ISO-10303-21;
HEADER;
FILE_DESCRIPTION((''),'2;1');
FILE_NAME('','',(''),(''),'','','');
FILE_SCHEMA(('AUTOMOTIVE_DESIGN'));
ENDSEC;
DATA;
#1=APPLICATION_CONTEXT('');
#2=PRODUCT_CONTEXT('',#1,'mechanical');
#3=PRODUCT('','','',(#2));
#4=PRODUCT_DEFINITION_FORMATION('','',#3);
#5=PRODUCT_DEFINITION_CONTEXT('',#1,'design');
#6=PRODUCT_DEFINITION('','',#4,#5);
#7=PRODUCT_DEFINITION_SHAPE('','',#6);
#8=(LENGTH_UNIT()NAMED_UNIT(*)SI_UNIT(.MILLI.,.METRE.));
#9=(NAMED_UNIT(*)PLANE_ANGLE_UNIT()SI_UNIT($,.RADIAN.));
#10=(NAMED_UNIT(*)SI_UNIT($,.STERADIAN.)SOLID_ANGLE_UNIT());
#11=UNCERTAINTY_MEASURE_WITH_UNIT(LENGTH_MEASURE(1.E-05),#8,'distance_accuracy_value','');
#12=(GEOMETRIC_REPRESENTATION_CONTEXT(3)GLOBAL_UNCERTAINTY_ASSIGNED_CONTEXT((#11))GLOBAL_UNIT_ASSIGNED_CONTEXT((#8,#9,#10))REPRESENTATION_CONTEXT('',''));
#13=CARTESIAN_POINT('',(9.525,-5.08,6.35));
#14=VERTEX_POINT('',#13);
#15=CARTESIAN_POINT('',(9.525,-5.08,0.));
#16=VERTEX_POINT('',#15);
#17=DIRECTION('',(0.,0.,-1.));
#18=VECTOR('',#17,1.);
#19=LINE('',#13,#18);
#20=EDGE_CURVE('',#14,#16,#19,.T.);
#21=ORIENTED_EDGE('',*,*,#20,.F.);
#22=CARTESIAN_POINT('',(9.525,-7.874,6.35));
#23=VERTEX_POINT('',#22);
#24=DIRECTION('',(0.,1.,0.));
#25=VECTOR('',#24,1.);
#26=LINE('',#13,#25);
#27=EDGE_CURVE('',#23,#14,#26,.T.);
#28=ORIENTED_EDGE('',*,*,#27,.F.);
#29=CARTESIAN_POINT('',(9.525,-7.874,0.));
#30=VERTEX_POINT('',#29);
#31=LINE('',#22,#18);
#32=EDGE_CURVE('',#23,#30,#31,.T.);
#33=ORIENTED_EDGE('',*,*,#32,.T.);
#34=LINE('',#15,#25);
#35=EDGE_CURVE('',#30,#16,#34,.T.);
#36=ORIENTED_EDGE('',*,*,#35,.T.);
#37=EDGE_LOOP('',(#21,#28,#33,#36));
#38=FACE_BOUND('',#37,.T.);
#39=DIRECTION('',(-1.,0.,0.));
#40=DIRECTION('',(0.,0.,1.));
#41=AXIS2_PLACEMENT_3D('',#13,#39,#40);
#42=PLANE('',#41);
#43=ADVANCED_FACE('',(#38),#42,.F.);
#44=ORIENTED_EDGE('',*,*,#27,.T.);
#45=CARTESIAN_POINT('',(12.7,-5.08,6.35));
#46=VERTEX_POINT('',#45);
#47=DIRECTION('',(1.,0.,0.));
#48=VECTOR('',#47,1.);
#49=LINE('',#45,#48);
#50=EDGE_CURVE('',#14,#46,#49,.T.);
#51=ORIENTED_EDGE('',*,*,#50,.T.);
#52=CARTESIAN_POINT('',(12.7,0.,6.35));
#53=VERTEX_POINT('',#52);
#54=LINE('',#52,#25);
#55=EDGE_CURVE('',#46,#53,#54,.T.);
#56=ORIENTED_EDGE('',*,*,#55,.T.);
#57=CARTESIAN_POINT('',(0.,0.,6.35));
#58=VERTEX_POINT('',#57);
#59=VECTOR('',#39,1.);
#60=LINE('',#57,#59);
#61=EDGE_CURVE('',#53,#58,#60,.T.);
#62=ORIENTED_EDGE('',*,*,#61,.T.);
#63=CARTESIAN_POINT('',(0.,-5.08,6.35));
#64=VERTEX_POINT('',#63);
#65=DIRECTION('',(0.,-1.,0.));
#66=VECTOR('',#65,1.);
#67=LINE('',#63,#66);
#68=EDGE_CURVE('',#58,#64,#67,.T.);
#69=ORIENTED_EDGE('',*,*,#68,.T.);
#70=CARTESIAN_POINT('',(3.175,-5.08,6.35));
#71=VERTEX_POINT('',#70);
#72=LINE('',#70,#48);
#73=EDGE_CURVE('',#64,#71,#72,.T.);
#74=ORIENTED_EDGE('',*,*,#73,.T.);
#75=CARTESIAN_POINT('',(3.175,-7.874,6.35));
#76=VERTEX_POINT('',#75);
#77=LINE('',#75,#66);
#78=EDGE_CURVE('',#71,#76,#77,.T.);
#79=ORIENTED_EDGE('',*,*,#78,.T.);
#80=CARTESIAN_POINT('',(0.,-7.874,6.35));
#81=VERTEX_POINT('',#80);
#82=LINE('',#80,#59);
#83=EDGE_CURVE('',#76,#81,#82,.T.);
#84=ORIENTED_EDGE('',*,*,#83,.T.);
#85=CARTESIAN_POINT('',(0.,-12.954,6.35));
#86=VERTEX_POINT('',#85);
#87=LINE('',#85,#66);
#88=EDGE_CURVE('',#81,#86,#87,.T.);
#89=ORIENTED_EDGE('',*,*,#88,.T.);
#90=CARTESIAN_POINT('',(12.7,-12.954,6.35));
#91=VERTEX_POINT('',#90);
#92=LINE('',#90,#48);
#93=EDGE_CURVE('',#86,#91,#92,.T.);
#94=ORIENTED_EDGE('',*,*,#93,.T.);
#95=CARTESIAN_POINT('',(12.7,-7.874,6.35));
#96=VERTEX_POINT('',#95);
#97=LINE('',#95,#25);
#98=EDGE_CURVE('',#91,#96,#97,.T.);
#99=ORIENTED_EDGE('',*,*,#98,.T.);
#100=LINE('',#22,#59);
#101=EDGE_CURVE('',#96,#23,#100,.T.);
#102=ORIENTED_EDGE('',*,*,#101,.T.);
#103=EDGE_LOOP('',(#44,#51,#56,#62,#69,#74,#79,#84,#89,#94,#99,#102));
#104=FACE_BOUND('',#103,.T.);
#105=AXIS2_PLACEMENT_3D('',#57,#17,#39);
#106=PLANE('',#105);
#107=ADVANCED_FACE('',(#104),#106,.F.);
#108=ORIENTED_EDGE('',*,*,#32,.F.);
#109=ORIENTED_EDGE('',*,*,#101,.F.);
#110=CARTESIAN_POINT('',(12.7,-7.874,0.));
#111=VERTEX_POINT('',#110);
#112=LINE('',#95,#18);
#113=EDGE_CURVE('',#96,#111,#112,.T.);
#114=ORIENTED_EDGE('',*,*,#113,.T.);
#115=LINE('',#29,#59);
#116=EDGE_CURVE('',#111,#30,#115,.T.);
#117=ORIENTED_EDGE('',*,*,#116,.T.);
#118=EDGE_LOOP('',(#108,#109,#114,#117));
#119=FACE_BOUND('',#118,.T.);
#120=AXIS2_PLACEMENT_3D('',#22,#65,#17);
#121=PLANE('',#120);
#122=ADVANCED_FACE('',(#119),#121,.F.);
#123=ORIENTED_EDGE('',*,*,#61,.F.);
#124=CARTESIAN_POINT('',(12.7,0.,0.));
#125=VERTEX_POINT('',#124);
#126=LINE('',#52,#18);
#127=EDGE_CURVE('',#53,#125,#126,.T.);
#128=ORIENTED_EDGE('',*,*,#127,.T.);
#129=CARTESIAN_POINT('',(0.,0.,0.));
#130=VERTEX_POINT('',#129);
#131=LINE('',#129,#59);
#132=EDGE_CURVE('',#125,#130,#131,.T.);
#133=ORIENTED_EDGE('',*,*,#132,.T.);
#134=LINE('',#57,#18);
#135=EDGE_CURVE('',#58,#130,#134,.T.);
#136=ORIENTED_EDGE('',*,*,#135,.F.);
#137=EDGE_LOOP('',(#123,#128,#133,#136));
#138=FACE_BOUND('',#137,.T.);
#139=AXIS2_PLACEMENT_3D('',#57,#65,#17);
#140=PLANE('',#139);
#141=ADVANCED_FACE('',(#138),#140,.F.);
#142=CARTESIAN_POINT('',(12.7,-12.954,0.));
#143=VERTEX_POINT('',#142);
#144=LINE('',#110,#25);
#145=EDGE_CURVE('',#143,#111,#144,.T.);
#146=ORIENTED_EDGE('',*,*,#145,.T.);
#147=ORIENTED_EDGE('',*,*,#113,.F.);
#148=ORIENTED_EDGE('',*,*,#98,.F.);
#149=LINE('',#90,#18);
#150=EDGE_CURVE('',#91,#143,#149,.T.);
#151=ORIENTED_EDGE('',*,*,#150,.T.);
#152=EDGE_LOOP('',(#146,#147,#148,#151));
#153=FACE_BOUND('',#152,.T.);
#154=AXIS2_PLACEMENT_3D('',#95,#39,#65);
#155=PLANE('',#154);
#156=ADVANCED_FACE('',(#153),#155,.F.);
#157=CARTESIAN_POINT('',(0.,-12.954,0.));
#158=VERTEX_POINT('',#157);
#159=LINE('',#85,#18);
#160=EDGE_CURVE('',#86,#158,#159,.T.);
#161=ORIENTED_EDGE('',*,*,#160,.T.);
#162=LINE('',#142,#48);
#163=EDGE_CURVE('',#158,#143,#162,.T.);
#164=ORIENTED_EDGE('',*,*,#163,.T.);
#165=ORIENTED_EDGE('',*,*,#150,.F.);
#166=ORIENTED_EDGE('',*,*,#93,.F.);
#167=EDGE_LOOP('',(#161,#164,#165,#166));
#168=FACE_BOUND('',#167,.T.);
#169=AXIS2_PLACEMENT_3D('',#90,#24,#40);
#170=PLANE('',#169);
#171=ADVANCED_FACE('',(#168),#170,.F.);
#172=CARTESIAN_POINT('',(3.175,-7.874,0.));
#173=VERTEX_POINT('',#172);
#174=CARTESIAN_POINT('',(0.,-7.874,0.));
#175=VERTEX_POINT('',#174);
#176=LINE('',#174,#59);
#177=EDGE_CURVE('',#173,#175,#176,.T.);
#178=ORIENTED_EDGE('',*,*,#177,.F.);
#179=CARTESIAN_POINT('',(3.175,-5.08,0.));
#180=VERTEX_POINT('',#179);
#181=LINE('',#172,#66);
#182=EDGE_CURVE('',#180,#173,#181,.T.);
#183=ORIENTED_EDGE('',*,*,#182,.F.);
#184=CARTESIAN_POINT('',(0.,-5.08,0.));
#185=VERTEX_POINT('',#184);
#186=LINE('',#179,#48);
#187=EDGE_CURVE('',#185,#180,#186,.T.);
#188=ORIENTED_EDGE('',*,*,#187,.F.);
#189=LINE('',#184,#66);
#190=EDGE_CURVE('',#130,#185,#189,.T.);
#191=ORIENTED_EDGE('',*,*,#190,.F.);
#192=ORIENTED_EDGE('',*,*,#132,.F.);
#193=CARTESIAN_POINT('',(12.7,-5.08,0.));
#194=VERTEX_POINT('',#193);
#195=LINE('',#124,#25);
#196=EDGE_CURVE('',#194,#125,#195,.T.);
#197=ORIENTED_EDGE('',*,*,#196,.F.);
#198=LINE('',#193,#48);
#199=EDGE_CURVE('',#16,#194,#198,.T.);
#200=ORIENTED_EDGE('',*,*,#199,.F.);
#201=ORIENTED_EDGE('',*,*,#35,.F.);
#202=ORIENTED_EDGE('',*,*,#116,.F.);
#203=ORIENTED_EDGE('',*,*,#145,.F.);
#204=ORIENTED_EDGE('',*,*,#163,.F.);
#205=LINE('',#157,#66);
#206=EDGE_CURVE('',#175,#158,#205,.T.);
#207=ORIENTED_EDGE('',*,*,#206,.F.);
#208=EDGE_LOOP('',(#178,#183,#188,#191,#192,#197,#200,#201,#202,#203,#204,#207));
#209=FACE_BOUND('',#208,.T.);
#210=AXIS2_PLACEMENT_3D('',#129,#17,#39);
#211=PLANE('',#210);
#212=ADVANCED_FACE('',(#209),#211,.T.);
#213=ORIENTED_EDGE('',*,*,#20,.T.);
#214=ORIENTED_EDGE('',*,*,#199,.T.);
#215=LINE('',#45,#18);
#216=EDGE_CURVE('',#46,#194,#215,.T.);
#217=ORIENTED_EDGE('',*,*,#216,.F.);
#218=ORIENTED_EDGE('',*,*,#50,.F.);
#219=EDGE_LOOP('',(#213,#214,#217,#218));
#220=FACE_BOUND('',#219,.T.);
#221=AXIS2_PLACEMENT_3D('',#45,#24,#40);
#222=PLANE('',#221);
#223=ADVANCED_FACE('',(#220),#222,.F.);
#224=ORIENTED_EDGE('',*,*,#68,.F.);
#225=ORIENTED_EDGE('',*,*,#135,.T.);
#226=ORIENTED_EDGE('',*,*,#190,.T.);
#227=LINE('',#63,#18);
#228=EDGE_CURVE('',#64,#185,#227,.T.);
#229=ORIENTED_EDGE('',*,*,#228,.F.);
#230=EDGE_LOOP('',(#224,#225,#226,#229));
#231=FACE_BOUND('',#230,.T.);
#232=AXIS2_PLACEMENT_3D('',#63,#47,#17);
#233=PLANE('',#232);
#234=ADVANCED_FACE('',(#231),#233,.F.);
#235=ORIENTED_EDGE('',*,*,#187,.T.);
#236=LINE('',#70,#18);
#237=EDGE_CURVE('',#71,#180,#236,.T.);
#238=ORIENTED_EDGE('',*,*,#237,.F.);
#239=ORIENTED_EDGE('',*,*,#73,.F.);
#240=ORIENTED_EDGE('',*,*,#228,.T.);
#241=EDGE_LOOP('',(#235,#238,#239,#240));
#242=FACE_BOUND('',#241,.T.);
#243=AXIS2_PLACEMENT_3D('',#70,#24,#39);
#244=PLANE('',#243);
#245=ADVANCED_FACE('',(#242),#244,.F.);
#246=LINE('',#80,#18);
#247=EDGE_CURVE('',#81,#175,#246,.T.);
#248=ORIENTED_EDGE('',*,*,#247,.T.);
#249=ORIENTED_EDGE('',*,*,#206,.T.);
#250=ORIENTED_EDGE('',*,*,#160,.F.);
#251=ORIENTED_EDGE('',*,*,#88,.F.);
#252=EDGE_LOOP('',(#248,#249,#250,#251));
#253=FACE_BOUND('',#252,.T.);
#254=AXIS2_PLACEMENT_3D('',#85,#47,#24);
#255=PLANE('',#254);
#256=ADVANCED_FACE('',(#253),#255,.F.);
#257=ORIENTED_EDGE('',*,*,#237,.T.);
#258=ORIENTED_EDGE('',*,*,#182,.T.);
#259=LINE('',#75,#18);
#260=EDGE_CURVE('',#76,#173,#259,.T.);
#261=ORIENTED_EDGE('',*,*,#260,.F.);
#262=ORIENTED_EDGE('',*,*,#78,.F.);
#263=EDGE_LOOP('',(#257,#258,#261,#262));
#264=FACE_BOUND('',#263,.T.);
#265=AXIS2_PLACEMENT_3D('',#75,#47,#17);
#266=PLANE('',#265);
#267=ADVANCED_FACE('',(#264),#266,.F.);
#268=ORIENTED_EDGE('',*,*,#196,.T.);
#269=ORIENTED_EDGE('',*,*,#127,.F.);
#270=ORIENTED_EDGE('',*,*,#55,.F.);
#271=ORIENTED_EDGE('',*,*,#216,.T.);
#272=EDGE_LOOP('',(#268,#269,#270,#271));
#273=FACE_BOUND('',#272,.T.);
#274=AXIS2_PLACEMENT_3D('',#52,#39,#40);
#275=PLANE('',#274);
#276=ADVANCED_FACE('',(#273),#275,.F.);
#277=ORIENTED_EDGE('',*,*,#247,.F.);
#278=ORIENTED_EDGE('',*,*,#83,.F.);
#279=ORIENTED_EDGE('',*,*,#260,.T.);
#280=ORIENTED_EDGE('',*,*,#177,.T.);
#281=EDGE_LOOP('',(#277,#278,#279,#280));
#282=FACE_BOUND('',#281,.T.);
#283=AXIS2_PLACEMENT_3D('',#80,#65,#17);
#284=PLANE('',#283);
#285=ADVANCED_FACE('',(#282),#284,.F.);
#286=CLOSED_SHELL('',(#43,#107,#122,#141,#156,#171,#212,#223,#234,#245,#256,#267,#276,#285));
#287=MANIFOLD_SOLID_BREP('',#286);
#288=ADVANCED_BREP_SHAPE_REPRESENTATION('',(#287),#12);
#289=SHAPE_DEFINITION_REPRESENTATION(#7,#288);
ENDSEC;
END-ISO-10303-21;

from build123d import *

# Parameters (mm, degrees)
BOSS_EXTRUDE1_DEPTH = 6.35


with BuildPart() as part:
    # Sketch2 → Boss-Extrude1 (new body)
    with BuildSketch(Plane.XY):
        Polygon((0, 0), (12.7, 0), (12.7, -5.08), (9.525, -5.08), (9.525, -7.874), (12.7, -7.874), (12.7, -12.954), (0, -12.954), (0, -7.874), (3.175, -7.874), (3.175, -5.08), (0, -5.08), align=None)
    extrude(amount=BOSS_EXTRUDE1_DEPTH)


solid = part.part
